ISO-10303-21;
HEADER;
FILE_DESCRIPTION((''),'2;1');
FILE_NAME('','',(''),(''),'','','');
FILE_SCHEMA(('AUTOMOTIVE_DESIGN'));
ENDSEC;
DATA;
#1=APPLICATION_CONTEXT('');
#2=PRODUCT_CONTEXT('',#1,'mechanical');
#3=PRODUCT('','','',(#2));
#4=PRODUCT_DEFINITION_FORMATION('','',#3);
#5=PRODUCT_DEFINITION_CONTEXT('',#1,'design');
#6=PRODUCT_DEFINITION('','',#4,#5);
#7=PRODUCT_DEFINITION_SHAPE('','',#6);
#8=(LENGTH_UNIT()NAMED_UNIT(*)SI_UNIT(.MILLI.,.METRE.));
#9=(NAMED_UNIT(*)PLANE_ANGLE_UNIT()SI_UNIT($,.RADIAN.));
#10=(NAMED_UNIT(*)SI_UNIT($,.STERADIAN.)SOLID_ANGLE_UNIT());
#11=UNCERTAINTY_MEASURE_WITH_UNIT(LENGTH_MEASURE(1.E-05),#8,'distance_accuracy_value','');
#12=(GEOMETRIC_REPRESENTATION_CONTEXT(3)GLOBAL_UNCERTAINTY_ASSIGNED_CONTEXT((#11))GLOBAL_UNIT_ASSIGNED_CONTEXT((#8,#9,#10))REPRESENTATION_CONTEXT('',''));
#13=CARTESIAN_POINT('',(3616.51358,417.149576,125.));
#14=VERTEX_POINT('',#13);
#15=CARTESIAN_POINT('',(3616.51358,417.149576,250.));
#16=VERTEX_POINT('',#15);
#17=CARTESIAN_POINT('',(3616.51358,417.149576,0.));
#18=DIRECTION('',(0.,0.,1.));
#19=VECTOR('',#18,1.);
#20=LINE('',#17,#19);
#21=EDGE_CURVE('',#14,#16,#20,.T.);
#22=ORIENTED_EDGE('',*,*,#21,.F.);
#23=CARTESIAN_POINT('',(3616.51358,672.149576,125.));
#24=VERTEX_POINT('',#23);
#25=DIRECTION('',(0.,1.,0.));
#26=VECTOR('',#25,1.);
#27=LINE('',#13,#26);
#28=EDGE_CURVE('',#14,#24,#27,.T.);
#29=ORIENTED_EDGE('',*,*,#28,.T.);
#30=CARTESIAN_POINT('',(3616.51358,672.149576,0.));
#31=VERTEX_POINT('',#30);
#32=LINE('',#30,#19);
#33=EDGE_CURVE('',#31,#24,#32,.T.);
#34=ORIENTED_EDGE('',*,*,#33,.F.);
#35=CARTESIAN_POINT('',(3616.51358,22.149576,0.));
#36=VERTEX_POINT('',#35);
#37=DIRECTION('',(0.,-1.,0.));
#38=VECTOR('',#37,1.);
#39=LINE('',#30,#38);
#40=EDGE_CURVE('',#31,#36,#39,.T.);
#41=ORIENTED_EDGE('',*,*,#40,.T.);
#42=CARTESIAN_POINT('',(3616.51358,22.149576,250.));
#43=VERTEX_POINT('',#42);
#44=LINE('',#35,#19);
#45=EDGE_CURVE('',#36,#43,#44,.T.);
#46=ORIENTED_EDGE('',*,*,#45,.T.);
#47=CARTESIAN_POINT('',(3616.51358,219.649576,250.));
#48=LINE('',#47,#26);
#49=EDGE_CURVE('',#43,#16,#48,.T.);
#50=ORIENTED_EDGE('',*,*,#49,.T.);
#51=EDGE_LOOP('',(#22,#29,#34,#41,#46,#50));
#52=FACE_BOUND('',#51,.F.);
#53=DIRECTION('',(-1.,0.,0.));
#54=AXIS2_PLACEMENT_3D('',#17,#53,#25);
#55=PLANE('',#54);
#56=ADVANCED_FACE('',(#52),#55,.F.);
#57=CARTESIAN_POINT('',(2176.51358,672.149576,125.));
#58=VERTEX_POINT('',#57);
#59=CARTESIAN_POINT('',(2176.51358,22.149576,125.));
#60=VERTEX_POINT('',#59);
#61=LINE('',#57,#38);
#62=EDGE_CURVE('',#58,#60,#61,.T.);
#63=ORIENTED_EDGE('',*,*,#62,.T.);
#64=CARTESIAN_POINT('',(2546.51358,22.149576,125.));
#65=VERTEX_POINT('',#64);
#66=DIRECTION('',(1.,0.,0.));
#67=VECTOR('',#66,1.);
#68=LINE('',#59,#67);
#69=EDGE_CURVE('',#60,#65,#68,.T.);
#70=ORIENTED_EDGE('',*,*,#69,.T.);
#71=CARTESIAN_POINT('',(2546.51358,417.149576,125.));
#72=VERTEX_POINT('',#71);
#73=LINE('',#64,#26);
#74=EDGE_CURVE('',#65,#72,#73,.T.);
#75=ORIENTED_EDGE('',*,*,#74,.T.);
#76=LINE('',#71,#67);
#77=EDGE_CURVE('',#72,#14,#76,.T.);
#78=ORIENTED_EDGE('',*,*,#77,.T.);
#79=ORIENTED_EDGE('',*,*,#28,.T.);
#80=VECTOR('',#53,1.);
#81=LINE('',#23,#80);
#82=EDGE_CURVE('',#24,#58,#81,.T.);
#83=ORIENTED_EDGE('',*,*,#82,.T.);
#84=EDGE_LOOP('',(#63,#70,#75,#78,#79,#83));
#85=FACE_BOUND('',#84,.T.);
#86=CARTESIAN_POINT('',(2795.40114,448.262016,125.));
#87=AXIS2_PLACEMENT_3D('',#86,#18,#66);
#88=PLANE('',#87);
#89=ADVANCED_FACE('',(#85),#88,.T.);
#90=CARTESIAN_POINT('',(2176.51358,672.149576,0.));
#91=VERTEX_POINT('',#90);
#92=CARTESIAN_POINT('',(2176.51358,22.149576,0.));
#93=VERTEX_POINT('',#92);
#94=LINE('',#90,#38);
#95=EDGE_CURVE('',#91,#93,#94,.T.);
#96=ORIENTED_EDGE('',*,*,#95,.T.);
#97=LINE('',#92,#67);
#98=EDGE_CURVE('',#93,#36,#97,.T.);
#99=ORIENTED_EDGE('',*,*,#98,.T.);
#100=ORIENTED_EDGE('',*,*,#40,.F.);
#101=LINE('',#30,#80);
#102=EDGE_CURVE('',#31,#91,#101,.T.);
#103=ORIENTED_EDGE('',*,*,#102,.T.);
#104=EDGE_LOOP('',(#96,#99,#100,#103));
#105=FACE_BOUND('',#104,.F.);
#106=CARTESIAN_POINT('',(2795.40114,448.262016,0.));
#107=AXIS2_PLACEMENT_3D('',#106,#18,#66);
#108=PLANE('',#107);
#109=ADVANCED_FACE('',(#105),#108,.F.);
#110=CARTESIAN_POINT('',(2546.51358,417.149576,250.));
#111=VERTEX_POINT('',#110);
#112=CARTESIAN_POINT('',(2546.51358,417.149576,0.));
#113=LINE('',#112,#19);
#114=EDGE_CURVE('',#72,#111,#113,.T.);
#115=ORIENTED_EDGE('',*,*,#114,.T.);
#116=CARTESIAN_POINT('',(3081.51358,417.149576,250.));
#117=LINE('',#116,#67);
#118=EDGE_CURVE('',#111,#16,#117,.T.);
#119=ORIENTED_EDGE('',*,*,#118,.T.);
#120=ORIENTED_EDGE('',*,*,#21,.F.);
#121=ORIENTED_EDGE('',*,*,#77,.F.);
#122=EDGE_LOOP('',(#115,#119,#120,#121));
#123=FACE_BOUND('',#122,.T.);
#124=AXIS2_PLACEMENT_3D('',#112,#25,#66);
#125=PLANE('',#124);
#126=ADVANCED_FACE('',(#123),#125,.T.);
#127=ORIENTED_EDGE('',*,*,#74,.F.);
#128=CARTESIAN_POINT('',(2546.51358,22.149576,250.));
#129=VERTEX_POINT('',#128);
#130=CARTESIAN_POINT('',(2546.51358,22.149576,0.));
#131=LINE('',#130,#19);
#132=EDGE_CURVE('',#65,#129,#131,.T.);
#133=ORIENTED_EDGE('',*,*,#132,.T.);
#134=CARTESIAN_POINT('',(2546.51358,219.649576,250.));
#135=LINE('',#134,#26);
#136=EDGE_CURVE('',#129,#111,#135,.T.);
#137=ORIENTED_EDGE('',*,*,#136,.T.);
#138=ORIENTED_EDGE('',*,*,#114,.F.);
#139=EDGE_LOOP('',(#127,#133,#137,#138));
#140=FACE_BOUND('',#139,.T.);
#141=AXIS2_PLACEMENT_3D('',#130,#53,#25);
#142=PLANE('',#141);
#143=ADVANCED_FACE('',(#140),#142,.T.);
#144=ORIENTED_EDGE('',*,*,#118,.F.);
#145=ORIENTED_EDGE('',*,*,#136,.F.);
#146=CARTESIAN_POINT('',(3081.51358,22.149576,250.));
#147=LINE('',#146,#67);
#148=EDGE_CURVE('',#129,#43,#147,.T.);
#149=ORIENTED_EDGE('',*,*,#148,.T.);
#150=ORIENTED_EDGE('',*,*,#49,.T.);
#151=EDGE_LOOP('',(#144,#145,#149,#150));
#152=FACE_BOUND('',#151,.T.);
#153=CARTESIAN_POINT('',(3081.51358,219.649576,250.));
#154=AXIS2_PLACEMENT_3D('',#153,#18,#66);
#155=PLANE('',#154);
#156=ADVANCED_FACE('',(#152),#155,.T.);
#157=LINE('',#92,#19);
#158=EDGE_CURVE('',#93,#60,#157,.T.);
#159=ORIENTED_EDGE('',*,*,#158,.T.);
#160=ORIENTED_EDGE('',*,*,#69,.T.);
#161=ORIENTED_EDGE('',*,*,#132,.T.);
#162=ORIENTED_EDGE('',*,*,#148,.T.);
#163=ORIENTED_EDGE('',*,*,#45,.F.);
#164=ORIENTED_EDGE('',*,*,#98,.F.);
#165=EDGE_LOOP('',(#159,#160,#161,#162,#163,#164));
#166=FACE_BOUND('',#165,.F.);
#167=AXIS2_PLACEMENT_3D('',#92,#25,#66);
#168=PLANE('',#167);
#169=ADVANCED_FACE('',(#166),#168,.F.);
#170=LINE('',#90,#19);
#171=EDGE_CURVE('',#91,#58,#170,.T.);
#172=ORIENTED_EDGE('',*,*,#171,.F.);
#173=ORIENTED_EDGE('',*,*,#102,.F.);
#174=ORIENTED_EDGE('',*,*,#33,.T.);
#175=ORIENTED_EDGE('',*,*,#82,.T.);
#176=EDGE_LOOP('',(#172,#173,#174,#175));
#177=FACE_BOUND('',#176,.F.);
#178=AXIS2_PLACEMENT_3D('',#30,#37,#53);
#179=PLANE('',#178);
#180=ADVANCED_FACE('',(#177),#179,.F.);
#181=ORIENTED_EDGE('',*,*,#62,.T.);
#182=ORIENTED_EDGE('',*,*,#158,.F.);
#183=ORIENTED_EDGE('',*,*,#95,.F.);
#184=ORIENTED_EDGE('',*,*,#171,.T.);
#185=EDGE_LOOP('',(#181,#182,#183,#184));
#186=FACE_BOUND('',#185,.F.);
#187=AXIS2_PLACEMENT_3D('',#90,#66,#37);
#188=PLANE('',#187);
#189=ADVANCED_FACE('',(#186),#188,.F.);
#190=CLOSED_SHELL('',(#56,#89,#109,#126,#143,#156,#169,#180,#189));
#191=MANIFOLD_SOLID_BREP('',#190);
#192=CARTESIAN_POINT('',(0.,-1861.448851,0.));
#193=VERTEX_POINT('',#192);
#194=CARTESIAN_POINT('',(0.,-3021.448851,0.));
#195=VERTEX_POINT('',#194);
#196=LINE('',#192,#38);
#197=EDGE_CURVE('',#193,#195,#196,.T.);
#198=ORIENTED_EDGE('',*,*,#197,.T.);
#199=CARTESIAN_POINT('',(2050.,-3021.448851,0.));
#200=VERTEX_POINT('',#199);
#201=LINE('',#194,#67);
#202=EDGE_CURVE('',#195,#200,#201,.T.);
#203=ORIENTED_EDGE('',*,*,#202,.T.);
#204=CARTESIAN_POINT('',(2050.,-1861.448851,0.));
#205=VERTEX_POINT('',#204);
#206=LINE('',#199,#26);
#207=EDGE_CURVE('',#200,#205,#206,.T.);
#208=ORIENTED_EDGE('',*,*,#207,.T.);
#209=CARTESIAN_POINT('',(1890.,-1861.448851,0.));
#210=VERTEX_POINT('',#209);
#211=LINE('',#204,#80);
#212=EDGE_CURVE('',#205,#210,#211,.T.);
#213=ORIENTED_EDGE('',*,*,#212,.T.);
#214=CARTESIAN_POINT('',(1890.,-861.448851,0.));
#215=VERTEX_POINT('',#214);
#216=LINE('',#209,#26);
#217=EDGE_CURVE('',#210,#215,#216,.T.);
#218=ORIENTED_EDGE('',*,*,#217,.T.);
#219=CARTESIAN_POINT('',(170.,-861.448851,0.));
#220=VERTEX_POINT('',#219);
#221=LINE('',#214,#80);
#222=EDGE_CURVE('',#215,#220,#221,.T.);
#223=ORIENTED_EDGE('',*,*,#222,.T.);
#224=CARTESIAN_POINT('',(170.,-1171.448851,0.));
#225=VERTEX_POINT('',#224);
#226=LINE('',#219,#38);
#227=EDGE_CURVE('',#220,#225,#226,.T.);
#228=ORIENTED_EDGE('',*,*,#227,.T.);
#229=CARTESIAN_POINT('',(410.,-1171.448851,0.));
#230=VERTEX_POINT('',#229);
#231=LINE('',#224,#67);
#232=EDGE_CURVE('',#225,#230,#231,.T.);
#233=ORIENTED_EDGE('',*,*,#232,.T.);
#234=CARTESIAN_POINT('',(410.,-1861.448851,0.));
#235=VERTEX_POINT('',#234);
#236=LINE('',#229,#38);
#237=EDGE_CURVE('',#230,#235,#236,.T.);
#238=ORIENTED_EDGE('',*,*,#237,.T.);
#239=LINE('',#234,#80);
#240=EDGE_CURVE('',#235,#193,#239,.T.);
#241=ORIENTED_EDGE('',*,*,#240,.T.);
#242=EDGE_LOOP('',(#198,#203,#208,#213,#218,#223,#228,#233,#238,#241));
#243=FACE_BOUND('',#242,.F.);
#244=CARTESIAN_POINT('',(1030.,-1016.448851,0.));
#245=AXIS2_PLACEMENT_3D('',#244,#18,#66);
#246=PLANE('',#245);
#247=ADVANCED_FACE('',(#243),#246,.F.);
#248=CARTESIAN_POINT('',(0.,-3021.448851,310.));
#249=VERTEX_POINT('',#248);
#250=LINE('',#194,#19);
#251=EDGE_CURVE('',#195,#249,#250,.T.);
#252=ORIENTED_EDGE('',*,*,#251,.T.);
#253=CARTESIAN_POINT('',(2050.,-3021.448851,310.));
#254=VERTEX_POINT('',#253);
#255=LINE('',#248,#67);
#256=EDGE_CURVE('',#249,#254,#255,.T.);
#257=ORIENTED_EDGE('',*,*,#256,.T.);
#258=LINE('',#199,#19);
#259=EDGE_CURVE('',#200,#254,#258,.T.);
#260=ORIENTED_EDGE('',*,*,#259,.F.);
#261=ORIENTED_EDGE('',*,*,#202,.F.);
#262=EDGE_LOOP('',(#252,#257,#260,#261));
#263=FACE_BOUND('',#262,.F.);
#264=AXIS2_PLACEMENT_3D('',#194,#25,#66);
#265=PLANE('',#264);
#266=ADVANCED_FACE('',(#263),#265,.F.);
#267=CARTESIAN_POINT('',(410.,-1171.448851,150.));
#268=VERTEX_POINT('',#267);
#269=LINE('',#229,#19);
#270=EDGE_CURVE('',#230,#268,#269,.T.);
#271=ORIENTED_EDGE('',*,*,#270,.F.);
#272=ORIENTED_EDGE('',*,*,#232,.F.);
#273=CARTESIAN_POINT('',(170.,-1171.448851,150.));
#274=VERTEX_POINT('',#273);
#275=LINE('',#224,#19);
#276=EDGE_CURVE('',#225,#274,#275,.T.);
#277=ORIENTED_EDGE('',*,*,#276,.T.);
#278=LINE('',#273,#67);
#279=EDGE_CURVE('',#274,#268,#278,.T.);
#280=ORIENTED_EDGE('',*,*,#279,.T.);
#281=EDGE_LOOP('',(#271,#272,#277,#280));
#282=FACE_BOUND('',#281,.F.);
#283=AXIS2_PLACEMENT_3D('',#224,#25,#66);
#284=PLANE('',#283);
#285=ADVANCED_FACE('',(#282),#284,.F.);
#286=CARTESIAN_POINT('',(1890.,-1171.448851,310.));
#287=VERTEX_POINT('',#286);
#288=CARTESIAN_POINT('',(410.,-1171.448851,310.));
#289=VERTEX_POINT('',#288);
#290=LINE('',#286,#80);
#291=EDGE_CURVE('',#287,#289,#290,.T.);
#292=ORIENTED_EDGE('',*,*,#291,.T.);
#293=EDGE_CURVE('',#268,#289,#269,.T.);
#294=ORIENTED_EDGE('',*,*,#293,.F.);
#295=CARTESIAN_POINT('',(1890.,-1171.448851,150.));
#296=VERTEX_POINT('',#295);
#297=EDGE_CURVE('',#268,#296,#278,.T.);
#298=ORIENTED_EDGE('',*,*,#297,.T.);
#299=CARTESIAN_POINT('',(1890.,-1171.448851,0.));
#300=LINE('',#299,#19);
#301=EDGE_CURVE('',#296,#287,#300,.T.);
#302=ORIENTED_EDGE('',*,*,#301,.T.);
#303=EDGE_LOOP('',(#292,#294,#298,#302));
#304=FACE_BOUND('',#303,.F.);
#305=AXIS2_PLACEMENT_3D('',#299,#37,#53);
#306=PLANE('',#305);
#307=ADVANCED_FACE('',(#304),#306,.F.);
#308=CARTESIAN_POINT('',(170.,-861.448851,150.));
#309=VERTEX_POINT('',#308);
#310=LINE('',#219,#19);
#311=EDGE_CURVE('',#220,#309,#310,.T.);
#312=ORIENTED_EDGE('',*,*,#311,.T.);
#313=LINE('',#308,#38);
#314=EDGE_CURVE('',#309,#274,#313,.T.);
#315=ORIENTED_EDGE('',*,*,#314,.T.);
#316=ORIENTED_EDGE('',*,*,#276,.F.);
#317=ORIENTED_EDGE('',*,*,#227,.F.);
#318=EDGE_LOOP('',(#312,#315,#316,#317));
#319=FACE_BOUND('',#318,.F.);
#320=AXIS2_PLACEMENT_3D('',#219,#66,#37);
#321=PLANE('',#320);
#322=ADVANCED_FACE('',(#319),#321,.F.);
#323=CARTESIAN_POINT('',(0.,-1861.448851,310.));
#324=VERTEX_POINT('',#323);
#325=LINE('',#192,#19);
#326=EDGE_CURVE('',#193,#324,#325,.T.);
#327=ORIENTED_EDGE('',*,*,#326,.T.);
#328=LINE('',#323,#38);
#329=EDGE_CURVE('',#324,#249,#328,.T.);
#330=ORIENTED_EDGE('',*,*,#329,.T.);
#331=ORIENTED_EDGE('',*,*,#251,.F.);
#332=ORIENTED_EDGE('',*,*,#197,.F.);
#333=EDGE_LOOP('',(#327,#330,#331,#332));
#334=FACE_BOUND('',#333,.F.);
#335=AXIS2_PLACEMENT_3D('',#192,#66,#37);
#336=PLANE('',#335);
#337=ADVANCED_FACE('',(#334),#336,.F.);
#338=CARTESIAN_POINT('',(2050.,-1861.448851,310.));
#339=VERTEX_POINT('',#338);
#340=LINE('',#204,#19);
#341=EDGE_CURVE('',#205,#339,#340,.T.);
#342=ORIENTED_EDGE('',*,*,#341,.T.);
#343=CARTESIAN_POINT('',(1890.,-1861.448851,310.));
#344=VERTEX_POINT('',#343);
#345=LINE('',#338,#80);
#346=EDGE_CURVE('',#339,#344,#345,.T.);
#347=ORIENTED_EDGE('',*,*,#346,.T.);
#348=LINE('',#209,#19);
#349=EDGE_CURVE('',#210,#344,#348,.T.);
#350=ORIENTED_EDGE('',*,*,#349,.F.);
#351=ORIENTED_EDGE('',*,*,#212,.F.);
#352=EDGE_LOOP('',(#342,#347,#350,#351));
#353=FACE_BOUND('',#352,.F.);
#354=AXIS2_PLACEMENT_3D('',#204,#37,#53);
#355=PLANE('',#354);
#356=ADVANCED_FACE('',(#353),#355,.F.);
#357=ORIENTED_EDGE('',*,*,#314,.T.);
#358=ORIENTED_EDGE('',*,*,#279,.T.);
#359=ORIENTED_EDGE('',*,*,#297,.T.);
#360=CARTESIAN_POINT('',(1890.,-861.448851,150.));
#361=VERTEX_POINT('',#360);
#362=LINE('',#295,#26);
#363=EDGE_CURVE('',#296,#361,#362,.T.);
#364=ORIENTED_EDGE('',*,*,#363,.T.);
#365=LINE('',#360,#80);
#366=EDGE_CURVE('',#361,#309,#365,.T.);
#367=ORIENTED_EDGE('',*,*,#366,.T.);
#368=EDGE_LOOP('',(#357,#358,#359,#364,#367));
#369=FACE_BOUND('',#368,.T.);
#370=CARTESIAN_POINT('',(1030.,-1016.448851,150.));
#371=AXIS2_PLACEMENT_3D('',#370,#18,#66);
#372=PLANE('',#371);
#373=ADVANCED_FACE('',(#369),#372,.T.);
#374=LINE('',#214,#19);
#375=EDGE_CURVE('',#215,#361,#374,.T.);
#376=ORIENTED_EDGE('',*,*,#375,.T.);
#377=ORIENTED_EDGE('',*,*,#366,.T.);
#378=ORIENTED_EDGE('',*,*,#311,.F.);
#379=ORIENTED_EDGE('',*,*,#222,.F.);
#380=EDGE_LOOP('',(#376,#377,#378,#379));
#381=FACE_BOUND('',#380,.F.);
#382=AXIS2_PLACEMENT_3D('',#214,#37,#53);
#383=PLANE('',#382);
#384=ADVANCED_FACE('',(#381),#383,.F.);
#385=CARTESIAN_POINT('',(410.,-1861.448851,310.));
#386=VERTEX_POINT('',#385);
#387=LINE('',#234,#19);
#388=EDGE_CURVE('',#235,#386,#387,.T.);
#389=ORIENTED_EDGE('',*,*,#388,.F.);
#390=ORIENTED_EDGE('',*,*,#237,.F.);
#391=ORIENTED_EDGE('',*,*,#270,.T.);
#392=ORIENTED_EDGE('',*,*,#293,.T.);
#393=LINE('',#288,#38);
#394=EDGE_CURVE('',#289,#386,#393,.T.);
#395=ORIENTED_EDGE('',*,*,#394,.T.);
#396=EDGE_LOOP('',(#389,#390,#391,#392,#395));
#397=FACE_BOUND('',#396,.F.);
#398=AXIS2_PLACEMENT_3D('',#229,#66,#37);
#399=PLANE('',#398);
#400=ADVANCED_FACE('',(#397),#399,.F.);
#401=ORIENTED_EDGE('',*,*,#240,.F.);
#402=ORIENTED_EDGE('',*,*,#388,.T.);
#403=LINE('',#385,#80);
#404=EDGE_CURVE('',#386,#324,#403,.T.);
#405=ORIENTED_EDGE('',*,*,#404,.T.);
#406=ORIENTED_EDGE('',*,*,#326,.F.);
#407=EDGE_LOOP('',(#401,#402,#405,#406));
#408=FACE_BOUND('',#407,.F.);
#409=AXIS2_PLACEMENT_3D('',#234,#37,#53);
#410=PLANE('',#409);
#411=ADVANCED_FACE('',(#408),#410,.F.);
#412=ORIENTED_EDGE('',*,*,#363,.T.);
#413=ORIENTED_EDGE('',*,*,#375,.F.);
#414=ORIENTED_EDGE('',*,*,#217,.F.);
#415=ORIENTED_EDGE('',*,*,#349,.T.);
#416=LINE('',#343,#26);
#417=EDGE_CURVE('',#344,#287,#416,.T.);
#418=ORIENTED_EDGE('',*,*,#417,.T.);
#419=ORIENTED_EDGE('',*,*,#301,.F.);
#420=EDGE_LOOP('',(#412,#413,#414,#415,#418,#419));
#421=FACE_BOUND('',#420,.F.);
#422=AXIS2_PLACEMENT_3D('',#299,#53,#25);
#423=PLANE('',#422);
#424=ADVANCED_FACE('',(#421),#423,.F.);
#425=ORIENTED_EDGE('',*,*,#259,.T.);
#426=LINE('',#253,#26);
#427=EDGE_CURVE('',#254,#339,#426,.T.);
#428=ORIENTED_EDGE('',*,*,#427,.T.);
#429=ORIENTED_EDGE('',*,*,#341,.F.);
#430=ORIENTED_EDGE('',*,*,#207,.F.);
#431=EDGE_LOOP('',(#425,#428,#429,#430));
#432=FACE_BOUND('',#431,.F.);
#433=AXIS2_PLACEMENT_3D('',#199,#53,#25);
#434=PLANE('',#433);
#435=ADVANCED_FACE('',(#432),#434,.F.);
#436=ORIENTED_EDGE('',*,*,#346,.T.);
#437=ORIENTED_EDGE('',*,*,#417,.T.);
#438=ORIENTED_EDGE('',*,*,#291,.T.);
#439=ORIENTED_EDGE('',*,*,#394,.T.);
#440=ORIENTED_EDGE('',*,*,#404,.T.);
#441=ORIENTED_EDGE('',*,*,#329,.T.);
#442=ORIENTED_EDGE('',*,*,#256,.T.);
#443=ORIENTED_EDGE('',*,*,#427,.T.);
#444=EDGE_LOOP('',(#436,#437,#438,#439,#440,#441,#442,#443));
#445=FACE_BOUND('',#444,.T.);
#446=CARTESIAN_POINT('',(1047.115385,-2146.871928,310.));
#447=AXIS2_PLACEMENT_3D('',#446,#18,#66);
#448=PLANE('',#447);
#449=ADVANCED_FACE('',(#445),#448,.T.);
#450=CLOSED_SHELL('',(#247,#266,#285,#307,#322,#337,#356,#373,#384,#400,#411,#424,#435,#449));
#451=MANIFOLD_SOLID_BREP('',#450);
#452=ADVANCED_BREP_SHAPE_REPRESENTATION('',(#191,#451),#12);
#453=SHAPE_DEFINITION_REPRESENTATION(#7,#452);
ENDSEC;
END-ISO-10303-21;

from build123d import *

# Parameters (mm, degrees)
F1_W     = 1070
F1_H     = 395
F2_DEPTH = 250
F4_DEPTH = 125
F7_DEPTH = 310
F8_DEPTH = 150


with BuildPart() as f2:
    # F1 (on face) → F2 (new body)
    with BuildSketch(Plane.XY):
        with Locations((3081.51358, 219.649576)):
            Rectangle(F1_W, F1_H)
    extrude(amount=F2_DEPTH)

    # F3 (on face) → F4 (join)
    with BuildSketch(Plane.XY):
        Polygon((2176.51358, 672.149576), (2176.51358, 22.149576), (2546.51358, 22.149576), (2546.51358, 417.149576), (3616.51358, 417.149576), (3616.51358, 672.149576), align=None)
    extrude(amount=F4_DEPTH)


with BuildPart() as f7:
    # F5 (on face) → F7 (new body)
    with BuildSketch(Plane.XY):
        Polygon((2050, -1861.448851), (1890, -1861.448851), (1890, -1171.448851), (410, -1171.448851), (410, -1861.448851), (0, -1861.448851), (0, -3021.448851), (2050, -3021.448851), align=None)
    extrude(amount=F7_DEPTH)

    # F6 (on face) → F8 (join)
    with BuildSketch(Plane.XY):
        Polygon((1890, -1171.448851), (1890, -861.448851), (170, -861.448851), (170, -1171.448851), (410, -1171.448851), align=None)
    extrude(amount=F8_DEPTH)


solid = Compound([f2.part, f7.part])
